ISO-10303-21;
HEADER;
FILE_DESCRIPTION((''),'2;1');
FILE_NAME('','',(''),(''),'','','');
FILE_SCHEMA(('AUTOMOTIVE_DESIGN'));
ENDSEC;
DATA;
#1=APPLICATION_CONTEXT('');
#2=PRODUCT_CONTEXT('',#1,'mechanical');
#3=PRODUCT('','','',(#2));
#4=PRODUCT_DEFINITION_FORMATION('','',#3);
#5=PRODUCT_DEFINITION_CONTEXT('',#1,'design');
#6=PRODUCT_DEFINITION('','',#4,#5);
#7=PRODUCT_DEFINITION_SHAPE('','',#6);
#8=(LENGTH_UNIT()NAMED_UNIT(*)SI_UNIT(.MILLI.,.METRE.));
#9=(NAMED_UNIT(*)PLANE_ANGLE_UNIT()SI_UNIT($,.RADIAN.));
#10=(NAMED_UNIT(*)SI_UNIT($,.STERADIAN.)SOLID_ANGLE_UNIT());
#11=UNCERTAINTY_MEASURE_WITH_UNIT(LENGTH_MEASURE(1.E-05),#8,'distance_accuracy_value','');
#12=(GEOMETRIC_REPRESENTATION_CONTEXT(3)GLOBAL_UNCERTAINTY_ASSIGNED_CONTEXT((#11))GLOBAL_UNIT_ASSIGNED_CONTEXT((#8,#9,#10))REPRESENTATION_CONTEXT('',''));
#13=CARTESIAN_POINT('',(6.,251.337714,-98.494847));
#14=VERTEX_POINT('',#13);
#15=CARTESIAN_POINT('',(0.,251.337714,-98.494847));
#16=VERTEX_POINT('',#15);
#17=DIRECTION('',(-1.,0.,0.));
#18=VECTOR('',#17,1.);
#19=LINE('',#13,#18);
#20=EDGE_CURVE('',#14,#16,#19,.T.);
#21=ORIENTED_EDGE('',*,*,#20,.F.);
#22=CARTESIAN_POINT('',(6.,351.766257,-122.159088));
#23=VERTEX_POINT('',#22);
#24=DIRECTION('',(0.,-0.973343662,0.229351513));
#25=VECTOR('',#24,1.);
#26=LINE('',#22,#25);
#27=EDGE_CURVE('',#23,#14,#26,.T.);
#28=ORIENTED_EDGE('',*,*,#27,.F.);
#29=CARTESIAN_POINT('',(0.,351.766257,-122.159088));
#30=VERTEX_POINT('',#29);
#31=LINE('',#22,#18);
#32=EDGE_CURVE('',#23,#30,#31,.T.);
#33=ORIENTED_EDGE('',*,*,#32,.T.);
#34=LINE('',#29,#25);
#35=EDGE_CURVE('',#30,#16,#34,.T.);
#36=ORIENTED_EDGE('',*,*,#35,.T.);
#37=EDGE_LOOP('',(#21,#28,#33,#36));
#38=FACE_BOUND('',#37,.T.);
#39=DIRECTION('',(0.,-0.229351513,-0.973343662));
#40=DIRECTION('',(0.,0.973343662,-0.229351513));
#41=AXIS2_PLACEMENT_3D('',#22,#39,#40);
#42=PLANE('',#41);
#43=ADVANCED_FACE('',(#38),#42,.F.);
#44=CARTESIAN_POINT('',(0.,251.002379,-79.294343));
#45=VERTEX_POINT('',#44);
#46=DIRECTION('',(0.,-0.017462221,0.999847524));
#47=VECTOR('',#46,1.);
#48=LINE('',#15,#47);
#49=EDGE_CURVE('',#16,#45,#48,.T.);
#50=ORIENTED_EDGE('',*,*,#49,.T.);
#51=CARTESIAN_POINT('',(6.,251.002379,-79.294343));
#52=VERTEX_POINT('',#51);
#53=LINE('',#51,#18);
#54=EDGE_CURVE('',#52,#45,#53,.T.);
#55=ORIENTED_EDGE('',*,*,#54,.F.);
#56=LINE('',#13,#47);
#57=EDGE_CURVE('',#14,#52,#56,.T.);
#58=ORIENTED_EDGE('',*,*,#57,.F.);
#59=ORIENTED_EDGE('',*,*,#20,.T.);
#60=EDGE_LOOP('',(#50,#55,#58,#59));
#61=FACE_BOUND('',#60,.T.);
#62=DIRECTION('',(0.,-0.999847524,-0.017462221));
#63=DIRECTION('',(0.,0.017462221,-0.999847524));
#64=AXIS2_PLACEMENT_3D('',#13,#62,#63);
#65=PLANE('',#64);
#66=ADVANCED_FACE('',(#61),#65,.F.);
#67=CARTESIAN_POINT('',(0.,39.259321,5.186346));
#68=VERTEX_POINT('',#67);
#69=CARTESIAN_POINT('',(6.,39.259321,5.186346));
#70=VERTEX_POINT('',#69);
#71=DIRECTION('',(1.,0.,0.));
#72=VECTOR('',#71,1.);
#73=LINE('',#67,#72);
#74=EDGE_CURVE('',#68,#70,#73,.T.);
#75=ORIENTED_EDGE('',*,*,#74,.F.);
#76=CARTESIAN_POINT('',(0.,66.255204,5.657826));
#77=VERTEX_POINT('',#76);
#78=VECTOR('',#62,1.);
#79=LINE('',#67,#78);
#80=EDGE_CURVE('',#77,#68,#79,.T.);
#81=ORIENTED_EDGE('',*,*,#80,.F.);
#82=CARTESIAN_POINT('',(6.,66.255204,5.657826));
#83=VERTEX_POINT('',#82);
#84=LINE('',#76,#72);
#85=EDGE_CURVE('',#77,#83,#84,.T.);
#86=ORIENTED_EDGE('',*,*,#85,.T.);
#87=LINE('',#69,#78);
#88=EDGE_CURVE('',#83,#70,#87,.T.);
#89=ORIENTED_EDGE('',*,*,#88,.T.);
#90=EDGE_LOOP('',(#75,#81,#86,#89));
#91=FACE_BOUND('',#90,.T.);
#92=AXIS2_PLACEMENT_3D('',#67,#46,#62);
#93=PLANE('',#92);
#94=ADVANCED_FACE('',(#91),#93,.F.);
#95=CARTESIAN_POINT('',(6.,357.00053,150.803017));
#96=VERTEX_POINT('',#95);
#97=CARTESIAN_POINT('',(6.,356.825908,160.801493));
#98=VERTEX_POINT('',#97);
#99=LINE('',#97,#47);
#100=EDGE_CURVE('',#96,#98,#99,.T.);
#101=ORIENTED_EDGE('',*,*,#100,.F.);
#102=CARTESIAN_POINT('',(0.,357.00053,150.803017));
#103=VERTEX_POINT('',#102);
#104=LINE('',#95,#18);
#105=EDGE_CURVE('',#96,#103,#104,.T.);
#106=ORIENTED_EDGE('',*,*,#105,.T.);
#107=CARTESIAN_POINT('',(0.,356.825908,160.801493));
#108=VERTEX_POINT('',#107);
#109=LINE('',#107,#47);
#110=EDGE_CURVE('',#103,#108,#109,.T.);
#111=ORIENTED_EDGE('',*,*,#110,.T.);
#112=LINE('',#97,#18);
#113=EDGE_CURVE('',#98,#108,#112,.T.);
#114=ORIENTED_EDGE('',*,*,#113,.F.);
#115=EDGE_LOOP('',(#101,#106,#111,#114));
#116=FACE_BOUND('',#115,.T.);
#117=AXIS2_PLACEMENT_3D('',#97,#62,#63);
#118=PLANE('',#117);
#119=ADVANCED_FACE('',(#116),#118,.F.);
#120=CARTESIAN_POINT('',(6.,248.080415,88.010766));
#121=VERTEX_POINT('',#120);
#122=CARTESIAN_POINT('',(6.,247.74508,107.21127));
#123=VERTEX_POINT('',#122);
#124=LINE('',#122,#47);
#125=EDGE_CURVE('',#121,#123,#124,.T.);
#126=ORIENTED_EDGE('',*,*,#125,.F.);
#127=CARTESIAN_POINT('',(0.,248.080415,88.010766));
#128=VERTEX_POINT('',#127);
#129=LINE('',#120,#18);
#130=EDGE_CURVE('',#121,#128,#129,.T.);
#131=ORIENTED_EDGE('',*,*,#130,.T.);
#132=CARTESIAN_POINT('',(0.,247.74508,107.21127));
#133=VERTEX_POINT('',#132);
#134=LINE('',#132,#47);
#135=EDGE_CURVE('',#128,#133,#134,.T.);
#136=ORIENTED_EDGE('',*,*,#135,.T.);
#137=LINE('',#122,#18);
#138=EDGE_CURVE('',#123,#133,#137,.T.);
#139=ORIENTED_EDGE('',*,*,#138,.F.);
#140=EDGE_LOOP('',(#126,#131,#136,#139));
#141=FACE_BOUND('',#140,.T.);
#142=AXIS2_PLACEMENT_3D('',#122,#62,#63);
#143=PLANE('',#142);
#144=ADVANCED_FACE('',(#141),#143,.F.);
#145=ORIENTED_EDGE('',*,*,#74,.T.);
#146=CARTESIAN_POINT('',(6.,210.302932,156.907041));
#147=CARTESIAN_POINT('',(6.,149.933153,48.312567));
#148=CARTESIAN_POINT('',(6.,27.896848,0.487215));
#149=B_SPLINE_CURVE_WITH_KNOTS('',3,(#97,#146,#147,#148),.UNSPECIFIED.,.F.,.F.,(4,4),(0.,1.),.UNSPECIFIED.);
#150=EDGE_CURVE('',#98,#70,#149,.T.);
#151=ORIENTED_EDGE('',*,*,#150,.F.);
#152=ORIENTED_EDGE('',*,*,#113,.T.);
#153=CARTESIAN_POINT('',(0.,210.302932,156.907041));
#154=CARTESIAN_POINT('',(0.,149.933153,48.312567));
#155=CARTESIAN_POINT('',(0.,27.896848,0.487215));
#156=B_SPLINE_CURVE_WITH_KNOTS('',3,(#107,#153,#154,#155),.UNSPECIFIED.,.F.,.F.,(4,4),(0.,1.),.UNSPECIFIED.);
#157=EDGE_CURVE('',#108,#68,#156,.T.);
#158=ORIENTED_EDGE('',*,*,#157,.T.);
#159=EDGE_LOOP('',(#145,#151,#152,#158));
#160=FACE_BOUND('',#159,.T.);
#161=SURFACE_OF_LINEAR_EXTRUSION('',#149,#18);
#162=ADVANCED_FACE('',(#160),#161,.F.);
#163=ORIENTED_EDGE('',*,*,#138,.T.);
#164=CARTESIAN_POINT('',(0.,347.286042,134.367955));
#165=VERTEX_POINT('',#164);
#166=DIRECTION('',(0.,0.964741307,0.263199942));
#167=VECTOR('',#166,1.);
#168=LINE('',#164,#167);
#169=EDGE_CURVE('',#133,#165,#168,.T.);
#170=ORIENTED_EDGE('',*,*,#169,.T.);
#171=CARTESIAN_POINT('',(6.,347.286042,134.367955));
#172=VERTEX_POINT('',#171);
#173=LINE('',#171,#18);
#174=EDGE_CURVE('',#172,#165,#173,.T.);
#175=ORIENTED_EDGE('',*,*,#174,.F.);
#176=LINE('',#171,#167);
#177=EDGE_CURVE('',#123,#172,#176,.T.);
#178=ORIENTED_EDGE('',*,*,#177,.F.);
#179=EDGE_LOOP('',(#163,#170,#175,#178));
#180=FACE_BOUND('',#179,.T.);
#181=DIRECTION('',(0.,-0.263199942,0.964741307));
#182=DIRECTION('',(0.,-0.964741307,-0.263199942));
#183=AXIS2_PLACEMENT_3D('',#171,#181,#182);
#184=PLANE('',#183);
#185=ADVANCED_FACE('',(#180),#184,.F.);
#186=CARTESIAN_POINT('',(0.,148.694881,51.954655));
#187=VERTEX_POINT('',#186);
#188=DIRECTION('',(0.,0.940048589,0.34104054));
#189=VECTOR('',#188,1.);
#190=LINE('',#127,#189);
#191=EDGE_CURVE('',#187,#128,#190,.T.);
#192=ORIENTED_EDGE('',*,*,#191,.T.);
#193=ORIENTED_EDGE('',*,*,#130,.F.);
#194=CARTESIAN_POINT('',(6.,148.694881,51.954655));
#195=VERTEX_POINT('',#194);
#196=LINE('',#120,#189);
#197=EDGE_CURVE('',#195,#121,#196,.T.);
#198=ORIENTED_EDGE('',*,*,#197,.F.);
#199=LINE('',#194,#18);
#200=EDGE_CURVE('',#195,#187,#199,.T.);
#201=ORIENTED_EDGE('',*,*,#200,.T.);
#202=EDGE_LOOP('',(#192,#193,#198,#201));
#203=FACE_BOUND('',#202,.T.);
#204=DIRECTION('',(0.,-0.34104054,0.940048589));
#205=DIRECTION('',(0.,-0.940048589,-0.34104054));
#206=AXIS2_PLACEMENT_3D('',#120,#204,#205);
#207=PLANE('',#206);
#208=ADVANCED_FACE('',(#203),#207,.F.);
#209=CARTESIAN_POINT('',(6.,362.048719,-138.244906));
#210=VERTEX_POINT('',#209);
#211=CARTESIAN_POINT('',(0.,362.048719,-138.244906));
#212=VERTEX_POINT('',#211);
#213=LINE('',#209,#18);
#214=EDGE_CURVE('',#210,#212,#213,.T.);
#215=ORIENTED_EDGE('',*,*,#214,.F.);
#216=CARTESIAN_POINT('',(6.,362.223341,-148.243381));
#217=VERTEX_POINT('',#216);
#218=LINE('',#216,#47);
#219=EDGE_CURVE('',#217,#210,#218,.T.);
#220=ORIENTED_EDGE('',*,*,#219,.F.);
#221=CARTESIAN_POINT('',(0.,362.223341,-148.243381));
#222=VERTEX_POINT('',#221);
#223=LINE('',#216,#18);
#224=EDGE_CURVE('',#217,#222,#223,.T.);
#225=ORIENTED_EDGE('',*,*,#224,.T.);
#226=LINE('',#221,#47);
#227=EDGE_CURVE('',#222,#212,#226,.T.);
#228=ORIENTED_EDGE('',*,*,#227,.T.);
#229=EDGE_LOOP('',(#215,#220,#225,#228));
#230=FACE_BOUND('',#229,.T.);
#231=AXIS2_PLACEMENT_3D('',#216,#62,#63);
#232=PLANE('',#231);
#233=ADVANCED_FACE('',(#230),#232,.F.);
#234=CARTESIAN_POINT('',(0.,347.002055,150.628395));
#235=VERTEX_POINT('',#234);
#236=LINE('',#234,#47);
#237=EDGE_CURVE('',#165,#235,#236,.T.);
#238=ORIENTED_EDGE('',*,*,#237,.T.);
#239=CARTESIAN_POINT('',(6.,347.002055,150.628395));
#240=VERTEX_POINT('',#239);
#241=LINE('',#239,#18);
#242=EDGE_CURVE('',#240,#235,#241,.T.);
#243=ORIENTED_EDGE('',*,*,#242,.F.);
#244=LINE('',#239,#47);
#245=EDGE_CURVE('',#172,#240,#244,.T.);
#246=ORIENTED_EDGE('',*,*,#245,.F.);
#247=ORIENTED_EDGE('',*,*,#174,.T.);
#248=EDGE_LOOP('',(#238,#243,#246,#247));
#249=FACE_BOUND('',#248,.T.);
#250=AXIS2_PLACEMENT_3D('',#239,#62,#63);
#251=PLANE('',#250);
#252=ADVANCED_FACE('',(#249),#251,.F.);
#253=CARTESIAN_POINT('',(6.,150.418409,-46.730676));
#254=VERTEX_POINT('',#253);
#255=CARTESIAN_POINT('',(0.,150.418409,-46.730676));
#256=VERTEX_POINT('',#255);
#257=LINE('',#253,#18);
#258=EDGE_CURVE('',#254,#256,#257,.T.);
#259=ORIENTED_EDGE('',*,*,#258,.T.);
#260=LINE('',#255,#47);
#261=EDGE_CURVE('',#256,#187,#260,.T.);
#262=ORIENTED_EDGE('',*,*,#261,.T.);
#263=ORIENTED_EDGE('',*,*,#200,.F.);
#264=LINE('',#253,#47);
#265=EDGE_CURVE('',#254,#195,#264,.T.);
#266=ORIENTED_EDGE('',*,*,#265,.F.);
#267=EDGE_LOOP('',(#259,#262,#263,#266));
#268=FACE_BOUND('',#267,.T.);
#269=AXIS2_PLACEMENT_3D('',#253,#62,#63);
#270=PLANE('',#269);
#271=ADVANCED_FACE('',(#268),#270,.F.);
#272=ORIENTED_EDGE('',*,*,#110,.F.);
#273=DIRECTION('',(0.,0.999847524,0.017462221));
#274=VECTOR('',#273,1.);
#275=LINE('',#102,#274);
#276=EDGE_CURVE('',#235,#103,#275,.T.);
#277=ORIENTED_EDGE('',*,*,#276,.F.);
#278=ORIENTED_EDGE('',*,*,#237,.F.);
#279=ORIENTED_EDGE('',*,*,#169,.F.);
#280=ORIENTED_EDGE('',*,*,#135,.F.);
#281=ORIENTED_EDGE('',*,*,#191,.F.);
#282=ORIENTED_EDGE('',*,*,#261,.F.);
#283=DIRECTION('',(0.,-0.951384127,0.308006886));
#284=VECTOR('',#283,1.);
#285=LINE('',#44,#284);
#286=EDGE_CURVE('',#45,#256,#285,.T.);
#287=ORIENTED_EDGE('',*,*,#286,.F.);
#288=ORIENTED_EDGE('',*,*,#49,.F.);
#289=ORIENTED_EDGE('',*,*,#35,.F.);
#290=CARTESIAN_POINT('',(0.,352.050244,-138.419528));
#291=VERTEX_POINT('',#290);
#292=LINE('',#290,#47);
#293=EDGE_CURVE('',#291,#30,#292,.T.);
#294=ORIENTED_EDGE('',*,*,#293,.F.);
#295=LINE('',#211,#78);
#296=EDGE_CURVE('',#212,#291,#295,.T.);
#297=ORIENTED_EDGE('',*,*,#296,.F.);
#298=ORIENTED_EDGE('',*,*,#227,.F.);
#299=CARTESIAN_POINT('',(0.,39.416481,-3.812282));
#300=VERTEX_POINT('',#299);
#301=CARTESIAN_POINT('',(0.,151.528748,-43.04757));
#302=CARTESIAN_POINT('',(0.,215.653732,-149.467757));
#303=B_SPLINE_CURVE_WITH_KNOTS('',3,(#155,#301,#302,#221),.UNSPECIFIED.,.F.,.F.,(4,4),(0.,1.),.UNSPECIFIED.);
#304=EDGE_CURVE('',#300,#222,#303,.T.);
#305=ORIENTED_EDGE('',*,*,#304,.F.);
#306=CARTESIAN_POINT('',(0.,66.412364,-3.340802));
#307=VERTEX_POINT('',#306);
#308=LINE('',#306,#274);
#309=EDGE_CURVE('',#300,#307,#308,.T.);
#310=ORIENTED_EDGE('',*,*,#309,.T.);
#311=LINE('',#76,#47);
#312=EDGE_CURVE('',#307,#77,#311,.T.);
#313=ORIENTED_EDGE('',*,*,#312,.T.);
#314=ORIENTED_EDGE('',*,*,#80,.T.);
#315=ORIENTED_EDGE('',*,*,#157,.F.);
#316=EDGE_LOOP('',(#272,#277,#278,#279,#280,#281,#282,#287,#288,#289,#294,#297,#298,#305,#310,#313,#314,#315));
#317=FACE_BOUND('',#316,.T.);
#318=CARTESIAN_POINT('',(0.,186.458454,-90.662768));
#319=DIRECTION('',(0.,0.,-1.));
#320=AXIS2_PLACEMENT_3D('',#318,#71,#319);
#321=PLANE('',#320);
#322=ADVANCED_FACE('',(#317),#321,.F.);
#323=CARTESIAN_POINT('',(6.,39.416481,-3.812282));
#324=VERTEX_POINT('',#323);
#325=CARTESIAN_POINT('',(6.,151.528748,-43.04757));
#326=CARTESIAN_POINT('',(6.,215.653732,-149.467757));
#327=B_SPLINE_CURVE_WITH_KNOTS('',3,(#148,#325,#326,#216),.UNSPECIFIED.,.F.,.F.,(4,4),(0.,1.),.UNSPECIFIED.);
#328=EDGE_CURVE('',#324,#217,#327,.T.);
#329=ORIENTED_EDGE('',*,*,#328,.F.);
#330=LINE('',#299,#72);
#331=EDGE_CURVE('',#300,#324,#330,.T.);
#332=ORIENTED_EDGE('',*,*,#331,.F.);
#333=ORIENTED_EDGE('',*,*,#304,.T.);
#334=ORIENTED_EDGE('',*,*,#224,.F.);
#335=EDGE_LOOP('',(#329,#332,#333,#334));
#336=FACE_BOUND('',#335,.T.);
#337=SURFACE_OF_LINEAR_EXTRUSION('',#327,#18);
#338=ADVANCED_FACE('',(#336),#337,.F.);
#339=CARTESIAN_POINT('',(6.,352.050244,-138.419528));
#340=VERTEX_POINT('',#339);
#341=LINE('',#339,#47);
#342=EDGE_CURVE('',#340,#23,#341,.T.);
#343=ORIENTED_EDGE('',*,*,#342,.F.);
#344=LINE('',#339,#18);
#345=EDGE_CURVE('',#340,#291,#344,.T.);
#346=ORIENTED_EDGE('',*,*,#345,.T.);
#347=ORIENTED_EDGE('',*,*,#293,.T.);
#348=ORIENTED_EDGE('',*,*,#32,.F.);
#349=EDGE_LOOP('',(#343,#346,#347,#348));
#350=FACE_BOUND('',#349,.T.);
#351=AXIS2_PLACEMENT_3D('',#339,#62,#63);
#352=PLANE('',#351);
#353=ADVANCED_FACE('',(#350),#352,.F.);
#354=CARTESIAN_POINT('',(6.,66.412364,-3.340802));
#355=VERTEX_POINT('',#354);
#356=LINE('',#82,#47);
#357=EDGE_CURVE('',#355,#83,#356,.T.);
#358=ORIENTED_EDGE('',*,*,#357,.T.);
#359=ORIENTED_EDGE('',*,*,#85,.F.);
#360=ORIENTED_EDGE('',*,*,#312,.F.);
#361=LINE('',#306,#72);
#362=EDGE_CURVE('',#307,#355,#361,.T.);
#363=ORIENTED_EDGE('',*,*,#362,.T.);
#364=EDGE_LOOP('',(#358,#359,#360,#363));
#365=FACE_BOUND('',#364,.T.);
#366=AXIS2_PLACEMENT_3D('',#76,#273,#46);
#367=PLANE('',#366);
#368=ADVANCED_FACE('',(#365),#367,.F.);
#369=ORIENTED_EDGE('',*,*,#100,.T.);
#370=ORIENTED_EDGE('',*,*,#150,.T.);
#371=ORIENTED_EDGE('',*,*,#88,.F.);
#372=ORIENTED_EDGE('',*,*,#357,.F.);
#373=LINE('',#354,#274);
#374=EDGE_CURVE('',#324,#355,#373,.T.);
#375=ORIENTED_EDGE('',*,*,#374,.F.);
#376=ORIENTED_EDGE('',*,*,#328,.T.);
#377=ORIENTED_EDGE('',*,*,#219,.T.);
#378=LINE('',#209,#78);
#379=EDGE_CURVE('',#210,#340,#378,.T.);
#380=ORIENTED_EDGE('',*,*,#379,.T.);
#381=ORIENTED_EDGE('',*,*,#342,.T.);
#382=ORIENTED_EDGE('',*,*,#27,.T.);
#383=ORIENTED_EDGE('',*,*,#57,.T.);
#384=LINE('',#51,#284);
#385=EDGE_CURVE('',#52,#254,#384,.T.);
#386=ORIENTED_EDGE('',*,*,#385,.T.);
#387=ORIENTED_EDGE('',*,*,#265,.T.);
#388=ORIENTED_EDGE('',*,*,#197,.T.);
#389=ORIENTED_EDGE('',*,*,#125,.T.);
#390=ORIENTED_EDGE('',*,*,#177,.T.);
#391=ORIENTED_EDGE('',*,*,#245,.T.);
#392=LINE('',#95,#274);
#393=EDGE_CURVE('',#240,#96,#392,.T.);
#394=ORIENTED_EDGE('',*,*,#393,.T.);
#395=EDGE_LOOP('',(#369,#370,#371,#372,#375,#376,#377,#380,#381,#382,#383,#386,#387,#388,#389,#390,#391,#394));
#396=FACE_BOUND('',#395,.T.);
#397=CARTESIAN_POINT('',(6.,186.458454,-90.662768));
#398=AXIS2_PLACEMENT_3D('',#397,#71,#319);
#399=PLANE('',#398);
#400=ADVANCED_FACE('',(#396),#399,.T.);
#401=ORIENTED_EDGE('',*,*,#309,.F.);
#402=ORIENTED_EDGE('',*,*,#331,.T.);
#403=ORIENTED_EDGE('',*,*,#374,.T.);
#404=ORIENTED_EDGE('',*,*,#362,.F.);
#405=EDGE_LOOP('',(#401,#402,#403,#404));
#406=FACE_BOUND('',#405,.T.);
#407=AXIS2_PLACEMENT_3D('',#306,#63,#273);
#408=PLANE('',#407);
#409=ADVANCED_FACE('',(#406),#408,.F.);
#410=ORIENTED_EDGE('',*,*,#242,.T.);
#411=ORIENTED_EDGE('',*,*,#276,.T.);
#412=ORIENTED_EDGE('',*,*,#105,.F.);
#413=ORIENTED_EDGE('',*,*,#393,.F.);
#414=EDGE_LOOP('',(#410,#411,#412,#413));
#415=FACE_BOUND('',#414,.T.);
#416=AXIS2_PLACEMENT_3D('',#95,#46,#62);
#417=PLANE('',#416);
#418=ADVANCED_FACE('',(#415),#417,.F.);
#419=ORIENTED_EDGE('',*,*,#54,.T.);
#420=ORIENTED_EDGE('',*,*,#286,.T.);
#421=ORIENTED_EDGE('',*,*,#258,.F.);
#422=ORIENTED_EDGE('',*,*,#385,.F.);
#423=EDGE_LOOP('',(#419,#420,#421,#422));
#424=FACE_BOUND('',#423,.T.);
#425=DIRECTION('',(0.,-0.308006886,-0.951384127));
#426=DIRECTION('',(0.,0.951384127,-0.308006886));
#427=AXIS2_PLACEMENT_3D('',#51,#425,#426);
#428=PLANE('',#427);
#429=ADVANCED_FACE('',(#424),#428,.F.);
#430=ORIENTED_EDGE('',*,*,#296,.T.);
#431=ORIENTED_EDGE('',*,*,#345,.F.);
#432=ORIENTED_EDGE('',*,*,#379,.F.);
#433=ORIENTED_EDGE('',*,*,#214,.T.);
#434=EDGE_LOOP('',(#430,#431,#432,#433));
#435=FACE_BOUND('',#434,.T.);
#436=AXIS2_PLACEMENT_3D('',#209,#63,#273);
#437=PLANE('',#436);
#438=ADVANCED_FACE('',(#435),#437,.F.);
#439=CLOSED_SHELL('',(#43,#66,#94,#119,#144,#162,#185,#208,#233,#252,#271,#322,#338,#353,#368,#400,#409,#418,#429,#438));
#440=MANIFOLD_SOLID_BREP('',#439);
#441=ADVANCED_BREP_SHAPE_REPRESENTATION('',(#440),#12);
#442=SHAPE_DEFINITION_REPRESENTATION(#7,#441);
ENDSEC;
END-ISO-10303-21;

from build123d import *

# Parameters (mm, degrees)
BOSS_EXTRU_3_DEPTH      = 6
ENL_V_MAT_EXTRU_1_DEPTH = 6


with BuildPart() as part:
    # Esquisse2 → Boss.-Extru.3 (new body)
    with BuildSketch(Plane(origin=(0, 0, 0), x_dir=(0, 0, -1), z_dir=(1, 0, 0))):
        with BuildLine():
            Line((148.243380773, 362.223341232), (138.244905535, 362.048719019))
            Line((138.244905535, 362.048719019), (138.419527748, 352.050243781))
            Line((138.419527748, 352.050243781), (122.159087501, 351.766257074))
            Line((122.159087501, 351.766257074), (98.494847202, 251.33771391))
            Line((98.494847202, 251.33771391), (79.294342883, 251.002379324))
            Line((79.294342883, 251.002379324), (46.73067621, 150.418408708))
            Line((46.73067621, 150.418408708), (-51.954655196, 148.694880815))
            Line((-51.954655196, 148.694880815), (-88.010766127, 248.080414957))
            Line((-88.010766127, 248.080414957), (-107.211270446, 247.745080371))
            Line((-107.211270446, 247.745080371), (-134.367955003, 347.286041964))
            Line((-134.367955003, 347.286041964), (-150.628395251, 347.002055257))
            Line((-150.628395251, 347.002055257), (-150.803017464, 357.000530495))
            Line((-150.803017464, 357.000530495), (-160.801492701, 356.825908282))
            add(Edge.make_bspline(
                [(-160.801492701, 356.825908282), (-156.907041043, 210.30293187), (-48.312567093, 149.933153379), (-0.487215218, 27.896847792)],
                knots=[0, 0, 0, 0, 1, 1, 1, 1], degree=3))
            add(Edge.make_bspline(
                [(148.243380773, 362.223341232), (149.467757199, 215.653732265), (43.04756988, 151.528747598), (-0.487215218, 27.896847792)],
                knots=[0, 0, 0, 0, 1, 1, 1, 1], degree=3))
        make_face()
    extrude(amount=BOSS_EXTRU_3_DEPTH)

    # Esquisse3 → Enlèv. mat.-Extru.1 (cut)
    with BuildSketch(Plane(origin=(6, 0, 0), x_dir=(0, 0, -1), z_dir=(1, 0, 0))):
        Polygon((-5.186345745, 39.259320978), (-5.65782572, 66.255204121), (3.340801994, 66.412364112), (3.812281969, 39.41648097), (22.081846162, 18.731742949), (-23.028999283, 18.731742949), align=None)
    extrude(amount=-ENL_V_MAT_EXTRU_1_DEPTH, mode=Mode.SUBTRACT)


solid = part.part
